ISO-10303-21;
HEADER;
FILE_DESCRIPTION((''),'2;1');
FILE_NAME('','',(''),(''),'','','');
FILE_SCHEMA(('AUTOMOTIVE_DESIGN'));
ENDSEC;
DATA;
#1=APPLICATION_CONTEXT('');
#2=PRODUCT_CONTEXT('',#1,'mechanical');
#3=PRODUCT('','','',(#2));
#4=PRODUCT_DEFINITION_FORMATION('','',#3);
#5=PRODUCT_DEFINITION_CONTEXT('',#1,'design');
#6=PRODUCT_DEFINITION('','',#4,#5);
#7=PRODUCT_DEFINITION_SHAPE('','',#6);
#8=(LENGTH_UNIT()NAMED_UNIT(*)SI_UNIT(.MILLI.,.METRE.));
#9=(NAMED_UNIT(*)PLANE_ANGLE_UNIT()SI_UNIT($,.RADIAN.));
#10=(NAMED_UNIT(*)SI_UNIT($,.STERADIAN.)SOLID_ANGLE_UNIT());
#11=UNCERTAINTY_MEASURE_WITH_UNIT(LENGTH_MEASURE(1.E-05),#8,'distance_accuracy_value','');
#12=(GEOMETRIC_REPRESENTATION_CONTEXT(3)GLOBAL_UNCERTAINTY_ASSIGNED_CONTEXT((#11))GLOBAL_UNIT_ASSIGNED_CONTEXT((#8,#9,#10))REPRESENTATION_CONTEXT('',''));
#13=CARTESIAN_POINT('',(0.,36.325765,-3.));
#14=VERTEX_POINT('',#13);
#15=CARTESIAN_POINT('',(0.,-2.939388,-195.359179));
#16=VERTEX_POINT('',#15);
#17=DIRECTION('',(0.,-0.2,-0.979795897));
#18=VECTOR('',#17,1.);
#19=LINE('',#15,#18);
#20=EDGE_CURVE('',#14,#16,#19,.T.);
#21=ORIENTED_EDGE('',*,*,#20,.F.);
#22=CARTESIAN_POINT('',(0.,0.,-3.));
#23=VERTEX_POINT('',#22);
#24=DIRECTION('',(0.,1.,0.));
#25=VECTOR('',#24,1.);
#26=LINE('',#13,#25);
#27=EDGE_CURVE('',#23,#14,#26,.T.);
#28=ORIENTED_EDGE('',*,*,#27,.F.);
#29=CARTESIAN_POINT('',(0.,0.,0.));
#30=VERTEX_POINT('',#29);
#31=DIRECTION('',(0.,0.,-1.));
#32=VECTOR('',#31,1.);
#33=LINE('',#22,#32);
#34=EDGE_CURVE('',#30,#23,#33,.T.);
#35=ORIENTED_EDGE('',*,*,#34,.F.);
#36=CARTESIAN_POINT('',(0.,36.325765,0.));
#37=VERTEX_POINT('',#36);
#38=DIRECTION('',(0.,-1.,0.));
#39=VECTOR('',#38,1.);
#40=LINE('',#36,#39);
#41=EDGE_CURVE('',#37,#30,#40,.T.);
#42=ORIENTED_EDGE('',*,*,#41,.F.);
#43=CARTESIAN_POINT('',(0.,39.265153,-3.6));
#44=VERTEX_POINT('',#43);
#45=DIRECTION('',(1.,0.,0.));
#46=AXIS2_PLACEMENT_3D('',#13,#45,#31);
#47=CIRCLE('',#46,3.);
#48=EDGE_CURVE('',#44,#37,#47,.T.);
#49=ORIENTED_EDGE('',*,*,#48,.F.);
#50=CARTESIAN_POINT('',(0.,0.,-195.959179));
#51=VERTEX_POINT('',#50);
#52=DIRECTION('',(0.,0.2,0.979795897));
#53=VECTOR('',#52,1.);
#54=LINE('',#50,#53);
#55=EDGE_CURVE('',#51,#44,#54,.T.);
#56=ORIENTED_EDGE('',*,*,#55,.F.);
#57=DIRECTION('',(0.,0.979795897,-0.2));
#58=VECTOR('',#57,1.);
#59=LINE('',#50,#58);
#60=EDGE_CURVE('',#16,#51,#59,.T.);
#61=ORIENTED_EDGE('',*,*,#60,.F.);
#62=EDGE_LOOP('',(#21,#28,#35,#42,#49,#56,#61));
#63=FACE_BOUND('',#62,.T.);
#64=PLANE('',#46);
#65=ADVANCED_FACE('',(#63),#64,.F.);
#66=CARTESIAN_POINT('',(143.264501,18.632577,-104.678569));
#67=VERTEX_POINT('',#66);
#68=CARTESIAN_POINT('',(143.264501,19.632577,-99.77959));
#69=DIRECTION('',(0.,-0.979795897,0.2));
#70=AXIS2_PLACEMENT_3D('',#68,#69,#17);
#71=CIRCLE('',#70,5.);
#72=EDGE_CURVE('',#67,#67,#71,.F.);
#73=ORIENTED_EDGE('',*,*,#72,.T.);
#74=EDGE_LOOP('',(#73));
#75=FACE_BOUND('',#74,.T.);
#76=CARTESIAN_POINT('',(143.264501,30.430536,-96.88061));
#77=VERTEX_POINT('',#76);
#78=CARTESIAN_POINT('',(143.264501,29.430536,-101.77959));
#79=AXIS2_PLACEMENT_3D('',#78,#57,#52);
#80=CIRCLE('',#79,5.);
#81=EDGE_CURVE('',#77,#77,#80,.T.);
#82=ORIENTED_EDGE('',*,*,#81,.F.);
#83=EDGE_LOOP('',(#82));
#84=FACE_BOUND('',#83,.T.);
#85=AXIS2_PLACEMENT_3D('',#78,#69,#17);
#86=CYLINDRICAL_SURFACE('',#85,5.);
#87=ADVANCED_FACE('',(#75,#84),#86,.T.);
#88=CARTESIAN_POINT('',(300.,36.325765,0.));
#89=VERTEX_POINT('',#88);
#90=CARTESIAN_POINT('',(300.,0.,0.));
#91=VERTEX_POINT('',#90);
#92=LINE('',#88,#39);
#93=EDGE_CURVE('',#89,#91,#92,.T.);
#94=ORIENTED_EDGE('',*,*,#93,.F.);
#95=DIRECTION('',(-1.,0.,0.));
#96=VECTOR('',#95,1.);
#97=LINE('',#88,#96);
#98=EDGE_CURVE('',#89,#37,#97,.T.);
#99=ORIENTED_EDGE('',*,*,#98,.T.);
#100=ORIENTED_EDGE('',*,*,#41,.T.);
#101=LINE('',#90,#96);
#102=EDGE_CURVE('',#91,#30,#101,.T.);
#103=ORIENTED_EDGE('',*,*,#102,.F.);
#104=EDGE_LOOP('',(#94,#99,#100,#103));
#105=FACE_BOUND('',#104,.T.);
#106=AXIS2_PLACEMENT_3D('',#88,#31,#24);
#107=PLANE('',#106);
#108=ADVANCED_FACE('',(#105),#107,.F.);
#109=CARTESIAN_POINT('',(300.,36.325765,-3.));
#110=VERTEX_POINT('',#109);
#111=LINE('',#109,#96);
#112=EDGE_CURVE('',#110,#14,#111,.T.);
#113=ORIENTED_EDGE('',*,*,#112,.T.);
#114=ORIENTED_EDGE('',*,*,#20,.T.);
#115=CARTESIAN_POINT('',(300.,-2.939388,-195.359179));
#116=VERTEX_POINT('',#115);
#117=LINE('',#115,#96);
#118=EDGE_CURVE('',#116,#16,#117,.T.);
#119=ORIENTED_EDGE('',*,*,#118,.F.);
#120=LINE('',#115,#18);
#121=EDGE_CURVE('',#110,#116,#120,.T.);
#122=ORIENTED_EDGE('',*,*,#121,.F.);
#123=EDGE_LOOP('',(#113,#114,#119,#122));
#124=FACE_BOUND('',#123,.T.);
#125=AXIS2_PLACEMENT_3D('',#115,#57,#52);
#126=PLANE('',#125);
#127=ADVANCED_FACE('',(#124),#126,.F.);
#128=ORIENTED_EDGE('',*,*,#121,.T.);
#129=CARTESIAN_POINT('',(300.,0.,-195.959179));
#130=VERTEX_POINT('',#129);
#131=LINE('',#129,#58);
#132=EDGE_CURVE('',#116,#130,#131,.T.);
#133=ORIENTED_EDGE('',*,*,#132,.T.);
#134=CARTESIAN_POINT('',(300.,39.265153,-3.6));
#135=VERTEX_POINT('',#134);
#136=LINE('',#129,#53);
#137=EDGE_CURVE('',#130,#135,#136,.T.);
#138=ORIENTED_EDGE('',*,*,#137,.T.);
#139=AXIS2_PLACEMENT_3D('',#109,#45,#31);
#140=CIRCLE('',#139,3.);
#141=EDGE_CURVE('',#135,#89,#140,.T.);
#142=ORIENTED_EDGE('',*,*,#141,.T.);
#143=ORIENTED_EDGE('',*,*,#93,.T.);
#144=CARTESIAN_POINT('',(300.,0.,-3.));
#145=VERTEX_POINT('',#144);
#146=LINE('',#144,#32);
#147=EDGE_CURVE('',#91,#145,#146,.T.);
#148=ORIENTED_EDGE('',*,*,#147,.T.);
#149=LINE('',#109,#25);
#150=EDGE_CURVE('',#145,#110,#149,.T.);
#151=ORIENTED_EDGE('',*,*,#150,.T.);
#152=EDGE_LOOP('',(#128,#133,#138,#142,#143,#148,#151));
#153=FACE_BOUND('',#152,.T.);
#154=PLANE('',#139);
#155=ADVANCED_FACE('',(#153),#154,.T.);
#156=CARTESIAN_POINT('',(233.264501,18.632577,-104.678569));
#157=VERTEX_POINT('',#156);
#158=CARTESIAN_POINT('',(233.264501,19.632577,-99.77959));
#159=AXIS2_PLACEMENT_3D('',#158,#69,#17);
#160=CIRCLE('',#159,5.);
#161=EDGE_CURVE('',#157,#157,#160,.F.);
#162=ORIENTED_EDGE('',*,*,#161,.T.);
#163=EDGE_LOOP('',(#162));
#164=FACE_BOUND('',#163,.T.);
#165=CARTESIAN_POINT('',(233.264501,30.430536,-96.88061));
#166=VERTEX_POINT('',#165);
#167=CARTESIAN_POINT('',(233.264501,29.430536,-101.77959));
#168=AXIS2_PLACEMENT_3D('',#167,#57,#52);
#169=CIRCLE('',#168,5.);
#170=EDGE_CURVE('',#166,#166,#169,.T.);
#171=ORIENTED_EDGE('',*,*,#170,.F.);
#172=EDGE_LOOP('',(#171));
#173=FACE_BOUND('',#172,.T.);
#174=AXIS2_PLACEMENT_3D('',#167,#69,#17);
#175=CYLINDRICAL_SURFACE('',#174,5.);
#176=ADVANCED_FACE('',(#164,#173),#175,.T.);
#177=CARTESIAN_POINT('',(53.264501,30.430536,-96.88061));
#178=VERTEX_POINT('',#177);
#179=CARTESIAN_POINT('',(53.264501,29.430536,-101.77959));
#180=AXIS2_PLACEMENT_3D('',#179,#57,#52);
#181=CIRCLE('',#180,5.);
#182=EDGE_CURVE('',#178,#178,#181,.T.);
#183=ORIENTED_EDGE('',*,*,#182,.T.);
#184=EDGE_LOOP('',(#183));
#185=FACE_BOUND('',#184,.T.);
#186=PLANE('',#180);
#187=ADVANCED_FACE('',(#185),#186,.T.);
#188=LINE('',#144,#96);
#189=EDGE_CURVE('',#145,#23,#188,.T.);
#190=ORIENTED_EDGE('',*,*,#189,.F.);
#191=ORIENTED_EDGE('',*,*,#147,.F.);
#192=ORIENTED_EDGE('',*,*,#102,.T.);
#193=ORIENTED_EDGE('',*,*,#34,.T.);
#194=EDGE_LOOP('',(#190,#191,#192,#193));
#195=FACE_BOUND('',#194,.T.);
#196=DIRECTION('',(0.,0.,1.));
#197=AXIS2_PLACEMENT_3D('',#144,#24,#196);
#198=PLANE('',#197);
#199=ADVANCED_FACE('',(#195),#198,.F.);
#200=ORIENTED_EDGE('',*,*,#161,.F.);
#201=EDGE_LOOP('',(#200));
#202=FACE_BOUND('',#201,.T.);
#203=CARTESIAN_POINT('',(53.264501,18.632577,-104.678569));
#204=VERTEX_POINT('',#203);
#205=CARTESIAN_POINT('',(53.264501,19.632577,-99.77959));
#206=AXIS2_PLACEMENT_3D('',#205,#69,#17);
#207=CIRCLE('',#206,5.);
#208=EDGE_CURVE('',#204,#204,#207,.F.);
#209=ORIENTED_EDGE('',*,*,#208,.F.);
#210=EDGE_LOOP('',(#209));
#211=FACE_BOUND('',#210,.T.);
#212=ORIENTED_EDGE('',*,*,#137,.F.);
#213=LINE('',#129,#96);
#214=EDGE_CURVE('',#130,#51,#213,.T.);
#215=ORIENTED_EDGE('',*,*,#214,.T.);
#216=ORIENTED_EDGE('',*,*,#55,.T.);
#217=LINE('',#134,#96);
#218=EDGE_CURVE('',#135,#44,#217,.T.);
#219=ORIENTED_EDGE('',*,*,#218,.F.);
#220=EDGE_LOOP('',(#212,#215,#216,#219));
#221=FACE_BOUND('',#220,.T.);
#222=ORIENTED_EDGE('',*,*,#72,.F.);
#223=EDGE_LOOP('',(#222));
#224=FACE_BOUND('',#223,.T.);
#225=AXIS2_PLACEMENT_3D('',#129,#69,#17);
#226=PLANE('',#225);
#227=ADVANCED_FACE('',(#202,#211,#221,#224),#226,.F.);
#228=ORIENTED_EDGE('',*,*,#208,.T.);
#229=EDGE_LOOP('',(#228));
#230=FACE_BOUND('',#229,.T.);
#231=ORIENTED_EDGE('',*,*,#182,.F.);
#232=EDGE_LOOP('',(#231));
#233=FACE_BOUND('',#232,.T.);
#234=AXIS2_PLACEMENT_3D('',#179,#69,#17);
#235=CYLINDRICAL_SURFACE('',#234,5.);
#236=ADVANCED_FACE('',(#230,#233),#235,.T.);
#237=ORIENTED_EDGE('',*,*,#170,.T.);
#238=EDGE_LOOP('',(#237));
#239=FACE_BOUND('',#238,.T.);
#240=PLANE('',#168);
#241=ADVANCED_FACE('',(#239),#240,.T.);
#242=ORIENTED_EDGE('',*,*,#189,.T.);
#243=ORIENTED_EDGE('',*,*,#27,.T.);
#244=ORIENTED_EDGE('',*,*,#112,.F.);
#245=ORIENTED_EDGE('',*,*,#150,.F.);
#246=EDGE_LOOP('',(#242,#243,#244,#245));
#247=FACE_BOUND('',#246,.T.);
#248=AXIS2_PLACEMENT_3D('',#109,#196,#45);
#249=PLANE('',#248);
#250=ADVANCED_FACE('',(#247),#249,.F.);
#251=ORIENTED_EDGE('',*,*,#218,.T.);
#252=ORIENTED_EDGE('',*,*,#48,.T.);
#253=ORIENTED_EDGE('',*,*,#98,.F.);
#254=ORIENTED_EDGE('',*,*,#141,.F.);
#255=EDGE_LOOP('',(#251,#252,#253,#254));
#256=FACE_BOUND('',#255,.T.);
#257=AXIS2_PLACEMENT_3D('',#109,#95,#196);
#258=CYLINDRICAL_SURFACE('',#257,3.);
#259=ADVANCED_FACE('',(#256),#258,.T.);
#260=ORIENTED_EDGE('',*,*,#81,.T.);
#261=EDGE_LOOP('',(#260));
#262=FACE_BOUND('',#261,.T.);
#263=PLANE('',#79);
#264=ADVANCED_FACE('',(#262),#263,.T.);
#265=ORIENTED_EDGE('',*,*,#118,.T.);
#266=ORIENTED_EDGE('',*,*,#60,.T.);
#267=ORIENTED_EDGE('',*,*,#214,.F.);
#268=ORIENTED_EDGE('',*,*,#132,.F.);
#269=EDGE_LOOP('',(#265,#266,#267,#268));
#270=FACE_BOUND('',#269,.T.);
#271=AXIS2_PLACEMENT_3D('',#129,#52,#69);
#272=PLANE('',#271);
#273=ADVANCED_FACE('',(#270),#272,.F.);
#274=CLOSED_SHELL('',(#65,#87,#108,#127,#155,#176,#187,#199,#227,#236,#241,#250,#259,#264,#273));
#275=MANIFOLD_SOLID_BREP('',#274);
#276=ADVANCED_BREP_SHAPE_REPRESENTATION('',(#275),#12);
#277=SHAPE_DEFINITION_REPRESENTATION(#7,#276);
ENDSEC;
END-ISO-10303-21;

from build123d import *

# Parameters (mm, degrees)
BOSS_EXTRUDE2_DEPTH = 300
SKETCH3_R           = 5
BOSS_EXTRUDE3_DEPTH = 10


with BuildPart() as part:
    # Sketch2 → Boss-Extrude2 (new body)
    with BuildSketch(Plane(origin=(0, 0, 0), x_dir=(0, 0, -1), z_dir=(1, 0, 0))):
        with BuildLine():
            Line((195.359179423, -2.939387691), (3, 36.325765386))
            Line((3, 36.325765386), (3, 0))
            Line((3, 0), (0, 0))
            Line((0, 0), (0, 36.325765386))
            ThreePointArc((0, 36.325765386), (1.102633404, 38.649555394), (3.6, 39.265153077))
            Line((3.6, 39.265153077), (195.959179423, 0))
            Line((195.959179423, 0), (195.359179423, -2.939387691))
        make_face()
    extrude(amount=BOSS_EXTRUDE2_DEPTH)

    # Sketch3 → Boss-Extrude3 (add)
    with BuildSketch(Plane(origin=(0, 38.4, -7.838367177), x_dir=(1, 0, 0), z_dir=(0, 0.9797958971132714, -0.19999999999999998))):
        with Locations(Location((53.264501209, 93.837117307, 0), (0, 0, 90))):
            Circle(SKETCH3_R)
        with Locations(Location((143.264501209, 93.837117307, 0), (0, 0, 90))):
            Circle(SKETCH3_R)
        with Locations(Location((233.264501209, 93.837117307, 0), (0, 0, 90))):
            Circle(SKETCH3_R)
    extrude(amount=BOSS_EXTRUDE3_DEPTH)


solid = part.part
